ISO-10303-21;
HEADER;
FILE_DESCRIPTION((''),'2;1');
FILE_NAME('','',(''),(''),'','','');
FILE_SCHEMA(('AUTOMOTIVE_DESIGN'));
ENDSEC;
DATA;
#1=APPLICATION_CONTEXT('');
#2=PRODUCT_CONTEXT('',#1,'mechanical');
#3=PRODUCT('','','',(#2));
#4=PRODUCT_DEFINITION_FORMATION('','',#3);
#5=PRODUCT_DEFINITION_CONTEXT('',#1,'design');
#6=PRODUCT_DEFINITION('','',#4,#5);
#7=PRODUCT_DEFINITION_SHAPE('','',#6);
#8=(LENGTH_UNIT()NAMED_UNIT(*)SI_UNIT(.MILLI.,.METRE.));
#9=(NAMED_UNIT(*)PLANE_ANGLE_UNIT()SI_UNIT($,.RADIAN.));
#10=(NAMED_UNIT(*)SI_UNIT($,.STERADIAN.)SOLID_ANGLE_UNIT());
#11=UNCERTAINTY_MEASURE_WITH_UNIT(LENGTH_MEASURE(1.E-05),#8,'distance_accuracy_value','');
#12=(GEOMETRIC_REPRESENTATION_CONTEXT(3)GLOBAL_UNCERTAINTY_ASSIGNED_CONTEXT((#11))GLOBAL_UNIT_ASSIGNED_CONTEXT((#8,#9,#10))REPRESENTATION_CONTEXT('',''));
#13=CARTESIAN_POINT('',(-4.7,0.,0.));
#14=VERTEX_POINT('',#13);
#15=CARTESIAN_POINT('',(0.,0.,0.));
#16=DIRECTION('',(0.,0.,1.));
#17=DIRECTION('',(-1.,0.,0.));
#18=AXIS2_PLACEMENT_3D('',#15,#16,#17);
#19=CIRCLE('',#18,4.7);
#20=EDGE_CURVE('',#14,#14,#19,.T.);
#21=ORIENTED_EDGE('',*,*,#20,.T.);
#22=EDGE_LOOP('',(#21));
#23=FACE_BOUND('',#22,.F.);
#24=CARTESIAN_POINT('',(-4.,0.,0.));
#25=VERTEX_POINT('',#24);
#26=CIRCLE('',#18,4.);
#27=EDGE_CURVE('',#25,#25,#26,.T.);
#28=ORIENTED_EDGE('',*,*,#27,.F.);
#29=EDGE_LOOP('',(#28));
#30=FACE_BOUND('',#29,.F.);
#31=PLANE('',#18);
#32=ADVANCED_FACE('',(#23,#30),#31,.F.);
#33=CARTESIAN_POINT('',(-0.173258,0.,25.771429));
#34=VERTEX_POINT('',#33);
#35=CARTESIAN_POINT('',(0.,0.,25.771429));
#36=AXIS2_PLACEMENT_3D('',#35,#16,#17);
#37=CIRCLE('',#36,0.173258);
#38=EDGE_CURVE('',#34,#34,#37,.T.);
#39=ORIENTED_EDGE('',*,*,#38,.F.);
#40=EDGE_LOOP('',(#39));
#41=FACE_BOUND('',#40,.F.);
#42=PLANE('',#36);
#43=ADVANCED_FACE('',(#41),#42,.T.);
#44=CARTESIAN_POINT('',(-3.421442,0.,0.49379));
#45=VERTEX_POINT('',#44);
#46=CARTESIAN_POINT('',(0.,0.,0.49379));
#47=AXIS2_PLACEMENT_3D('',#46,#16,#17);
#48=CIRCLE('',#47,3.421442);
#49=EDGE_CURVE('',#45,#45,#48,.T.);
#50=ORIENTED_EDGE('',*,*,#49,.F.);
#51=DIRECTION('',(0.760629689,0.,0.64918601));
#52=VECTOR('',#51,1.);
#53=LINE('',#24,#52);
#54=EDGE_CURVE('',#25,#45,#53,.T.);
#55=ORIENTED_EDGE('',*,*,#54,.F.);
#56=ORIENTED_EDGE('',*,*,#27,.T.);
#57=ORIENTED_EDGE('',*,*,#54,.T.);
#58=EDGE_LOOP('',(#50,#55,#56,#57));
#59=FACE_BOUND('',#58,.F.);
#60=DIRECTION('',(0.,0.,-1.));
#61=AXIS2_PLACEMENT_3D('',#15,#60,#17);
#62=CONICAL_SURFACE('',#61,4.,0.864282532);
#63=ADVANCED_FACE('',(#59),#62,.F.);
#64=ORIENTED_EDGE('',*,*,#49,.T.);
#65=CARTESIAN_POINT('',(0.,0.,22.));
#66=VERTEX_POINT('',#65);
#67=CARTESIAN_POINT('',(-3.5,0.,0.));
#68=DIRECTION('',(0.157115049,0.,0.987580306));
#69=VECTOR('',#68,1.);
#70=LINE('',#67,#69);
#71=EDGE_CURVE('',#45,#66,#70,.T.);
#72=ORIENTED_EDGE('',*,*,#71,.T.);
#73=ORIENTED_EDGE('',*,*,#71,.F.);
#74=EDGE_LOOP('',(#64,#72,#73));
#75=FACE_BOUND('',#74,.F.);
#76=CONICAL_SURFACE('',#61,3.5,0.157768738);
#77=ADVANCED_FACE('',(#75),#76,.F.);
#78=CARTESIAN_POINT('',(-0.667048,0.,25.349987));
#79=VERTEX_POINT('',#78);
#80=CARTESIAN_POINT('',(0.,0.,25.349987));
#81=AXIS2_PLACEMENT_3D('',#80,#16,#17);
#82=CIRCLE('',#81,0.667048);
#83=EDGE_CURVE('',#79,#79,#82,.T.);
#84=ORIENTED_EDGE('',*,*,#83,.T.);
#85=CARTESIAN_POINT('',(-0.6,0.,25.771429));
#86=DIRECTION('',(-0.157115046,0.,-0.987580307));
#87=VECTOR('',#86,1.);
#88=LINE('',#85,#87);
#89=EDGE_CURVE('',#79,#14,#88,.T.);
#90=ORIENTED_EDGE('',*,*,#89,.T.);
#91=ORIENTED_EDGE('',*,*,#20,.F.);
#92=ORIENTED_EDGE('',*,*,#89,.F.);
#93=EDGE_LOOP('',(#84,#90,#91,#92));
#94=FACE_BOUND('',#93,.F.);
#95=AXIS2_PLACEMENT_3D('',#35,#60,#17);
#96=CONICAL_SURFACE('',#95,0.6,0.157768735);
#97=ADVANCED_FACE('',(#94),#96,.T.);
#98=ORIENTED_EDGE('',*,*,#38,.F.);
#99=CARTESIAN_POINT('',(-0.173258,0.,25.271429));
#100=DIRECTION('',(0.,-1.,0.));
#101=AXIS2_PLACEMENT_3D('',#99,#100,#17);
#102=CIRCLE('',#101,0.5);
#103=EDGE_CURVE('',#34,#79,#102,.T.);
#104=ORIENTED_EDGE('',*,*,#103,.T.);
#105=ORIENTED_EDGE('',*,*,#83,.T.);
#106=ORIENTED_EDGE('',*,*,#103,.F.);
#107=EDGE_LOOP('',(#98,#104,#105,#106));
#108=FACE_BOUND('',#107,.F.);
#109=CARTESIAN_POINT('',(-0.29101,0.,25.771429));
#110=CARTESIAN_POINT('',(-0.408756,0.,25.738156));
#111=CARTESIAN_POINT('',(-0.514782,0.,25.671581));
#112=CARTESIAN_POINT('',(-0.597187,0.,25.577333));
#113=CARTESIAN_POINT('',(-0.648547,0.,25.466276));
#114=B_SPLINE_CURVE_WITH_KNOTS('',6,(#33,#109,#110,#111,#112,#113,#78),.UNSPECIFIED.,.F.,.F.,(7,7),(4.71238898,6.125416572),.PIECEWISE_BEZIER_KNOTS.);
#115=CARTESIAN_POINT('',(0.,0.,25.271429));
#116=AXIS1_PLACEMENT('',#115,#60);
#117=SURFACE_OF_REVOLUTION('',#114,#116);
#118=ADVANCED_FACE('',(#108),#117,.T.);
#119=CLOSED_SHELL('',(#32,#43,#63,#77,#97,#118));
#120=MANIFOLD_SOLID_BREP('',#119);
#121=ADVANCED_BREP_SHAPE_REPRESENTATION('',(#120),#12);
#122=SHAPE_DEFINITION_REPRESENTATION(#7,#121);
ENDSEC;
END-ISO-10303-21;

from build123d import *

# Parameters (mm, degrees)
F2_R    = 0.5
F3_SIZE = 0.5


with BuildPart() as f1:
    # F0 (on Front) → F1 (revolve)
    with BuildSketch(Plane.XZ):
        Polygon((-4.7, 0), (-3.5, 0), (0, 22), (0, 25.771429), (-0.6, 25.771429), align=None)
    revolve(axis=Axis((0, 0, 14.771429), (0, 0, 1)))

    # F2
    f2_edges = [f1.edges().sort_by_distance(p)[0] for p in [
        (0.6, 0, 25.771429),
    ]]
    fillet(f2_edges, radius=F2_R)

    # F3
    f3_edges = [f1.edges().sort_by_distance(p)[0] for p in [
        (3.5, 0, 0),
    ]]
    chamfer(f3_edges, length=F3_SIZE)


solid = f1.part
